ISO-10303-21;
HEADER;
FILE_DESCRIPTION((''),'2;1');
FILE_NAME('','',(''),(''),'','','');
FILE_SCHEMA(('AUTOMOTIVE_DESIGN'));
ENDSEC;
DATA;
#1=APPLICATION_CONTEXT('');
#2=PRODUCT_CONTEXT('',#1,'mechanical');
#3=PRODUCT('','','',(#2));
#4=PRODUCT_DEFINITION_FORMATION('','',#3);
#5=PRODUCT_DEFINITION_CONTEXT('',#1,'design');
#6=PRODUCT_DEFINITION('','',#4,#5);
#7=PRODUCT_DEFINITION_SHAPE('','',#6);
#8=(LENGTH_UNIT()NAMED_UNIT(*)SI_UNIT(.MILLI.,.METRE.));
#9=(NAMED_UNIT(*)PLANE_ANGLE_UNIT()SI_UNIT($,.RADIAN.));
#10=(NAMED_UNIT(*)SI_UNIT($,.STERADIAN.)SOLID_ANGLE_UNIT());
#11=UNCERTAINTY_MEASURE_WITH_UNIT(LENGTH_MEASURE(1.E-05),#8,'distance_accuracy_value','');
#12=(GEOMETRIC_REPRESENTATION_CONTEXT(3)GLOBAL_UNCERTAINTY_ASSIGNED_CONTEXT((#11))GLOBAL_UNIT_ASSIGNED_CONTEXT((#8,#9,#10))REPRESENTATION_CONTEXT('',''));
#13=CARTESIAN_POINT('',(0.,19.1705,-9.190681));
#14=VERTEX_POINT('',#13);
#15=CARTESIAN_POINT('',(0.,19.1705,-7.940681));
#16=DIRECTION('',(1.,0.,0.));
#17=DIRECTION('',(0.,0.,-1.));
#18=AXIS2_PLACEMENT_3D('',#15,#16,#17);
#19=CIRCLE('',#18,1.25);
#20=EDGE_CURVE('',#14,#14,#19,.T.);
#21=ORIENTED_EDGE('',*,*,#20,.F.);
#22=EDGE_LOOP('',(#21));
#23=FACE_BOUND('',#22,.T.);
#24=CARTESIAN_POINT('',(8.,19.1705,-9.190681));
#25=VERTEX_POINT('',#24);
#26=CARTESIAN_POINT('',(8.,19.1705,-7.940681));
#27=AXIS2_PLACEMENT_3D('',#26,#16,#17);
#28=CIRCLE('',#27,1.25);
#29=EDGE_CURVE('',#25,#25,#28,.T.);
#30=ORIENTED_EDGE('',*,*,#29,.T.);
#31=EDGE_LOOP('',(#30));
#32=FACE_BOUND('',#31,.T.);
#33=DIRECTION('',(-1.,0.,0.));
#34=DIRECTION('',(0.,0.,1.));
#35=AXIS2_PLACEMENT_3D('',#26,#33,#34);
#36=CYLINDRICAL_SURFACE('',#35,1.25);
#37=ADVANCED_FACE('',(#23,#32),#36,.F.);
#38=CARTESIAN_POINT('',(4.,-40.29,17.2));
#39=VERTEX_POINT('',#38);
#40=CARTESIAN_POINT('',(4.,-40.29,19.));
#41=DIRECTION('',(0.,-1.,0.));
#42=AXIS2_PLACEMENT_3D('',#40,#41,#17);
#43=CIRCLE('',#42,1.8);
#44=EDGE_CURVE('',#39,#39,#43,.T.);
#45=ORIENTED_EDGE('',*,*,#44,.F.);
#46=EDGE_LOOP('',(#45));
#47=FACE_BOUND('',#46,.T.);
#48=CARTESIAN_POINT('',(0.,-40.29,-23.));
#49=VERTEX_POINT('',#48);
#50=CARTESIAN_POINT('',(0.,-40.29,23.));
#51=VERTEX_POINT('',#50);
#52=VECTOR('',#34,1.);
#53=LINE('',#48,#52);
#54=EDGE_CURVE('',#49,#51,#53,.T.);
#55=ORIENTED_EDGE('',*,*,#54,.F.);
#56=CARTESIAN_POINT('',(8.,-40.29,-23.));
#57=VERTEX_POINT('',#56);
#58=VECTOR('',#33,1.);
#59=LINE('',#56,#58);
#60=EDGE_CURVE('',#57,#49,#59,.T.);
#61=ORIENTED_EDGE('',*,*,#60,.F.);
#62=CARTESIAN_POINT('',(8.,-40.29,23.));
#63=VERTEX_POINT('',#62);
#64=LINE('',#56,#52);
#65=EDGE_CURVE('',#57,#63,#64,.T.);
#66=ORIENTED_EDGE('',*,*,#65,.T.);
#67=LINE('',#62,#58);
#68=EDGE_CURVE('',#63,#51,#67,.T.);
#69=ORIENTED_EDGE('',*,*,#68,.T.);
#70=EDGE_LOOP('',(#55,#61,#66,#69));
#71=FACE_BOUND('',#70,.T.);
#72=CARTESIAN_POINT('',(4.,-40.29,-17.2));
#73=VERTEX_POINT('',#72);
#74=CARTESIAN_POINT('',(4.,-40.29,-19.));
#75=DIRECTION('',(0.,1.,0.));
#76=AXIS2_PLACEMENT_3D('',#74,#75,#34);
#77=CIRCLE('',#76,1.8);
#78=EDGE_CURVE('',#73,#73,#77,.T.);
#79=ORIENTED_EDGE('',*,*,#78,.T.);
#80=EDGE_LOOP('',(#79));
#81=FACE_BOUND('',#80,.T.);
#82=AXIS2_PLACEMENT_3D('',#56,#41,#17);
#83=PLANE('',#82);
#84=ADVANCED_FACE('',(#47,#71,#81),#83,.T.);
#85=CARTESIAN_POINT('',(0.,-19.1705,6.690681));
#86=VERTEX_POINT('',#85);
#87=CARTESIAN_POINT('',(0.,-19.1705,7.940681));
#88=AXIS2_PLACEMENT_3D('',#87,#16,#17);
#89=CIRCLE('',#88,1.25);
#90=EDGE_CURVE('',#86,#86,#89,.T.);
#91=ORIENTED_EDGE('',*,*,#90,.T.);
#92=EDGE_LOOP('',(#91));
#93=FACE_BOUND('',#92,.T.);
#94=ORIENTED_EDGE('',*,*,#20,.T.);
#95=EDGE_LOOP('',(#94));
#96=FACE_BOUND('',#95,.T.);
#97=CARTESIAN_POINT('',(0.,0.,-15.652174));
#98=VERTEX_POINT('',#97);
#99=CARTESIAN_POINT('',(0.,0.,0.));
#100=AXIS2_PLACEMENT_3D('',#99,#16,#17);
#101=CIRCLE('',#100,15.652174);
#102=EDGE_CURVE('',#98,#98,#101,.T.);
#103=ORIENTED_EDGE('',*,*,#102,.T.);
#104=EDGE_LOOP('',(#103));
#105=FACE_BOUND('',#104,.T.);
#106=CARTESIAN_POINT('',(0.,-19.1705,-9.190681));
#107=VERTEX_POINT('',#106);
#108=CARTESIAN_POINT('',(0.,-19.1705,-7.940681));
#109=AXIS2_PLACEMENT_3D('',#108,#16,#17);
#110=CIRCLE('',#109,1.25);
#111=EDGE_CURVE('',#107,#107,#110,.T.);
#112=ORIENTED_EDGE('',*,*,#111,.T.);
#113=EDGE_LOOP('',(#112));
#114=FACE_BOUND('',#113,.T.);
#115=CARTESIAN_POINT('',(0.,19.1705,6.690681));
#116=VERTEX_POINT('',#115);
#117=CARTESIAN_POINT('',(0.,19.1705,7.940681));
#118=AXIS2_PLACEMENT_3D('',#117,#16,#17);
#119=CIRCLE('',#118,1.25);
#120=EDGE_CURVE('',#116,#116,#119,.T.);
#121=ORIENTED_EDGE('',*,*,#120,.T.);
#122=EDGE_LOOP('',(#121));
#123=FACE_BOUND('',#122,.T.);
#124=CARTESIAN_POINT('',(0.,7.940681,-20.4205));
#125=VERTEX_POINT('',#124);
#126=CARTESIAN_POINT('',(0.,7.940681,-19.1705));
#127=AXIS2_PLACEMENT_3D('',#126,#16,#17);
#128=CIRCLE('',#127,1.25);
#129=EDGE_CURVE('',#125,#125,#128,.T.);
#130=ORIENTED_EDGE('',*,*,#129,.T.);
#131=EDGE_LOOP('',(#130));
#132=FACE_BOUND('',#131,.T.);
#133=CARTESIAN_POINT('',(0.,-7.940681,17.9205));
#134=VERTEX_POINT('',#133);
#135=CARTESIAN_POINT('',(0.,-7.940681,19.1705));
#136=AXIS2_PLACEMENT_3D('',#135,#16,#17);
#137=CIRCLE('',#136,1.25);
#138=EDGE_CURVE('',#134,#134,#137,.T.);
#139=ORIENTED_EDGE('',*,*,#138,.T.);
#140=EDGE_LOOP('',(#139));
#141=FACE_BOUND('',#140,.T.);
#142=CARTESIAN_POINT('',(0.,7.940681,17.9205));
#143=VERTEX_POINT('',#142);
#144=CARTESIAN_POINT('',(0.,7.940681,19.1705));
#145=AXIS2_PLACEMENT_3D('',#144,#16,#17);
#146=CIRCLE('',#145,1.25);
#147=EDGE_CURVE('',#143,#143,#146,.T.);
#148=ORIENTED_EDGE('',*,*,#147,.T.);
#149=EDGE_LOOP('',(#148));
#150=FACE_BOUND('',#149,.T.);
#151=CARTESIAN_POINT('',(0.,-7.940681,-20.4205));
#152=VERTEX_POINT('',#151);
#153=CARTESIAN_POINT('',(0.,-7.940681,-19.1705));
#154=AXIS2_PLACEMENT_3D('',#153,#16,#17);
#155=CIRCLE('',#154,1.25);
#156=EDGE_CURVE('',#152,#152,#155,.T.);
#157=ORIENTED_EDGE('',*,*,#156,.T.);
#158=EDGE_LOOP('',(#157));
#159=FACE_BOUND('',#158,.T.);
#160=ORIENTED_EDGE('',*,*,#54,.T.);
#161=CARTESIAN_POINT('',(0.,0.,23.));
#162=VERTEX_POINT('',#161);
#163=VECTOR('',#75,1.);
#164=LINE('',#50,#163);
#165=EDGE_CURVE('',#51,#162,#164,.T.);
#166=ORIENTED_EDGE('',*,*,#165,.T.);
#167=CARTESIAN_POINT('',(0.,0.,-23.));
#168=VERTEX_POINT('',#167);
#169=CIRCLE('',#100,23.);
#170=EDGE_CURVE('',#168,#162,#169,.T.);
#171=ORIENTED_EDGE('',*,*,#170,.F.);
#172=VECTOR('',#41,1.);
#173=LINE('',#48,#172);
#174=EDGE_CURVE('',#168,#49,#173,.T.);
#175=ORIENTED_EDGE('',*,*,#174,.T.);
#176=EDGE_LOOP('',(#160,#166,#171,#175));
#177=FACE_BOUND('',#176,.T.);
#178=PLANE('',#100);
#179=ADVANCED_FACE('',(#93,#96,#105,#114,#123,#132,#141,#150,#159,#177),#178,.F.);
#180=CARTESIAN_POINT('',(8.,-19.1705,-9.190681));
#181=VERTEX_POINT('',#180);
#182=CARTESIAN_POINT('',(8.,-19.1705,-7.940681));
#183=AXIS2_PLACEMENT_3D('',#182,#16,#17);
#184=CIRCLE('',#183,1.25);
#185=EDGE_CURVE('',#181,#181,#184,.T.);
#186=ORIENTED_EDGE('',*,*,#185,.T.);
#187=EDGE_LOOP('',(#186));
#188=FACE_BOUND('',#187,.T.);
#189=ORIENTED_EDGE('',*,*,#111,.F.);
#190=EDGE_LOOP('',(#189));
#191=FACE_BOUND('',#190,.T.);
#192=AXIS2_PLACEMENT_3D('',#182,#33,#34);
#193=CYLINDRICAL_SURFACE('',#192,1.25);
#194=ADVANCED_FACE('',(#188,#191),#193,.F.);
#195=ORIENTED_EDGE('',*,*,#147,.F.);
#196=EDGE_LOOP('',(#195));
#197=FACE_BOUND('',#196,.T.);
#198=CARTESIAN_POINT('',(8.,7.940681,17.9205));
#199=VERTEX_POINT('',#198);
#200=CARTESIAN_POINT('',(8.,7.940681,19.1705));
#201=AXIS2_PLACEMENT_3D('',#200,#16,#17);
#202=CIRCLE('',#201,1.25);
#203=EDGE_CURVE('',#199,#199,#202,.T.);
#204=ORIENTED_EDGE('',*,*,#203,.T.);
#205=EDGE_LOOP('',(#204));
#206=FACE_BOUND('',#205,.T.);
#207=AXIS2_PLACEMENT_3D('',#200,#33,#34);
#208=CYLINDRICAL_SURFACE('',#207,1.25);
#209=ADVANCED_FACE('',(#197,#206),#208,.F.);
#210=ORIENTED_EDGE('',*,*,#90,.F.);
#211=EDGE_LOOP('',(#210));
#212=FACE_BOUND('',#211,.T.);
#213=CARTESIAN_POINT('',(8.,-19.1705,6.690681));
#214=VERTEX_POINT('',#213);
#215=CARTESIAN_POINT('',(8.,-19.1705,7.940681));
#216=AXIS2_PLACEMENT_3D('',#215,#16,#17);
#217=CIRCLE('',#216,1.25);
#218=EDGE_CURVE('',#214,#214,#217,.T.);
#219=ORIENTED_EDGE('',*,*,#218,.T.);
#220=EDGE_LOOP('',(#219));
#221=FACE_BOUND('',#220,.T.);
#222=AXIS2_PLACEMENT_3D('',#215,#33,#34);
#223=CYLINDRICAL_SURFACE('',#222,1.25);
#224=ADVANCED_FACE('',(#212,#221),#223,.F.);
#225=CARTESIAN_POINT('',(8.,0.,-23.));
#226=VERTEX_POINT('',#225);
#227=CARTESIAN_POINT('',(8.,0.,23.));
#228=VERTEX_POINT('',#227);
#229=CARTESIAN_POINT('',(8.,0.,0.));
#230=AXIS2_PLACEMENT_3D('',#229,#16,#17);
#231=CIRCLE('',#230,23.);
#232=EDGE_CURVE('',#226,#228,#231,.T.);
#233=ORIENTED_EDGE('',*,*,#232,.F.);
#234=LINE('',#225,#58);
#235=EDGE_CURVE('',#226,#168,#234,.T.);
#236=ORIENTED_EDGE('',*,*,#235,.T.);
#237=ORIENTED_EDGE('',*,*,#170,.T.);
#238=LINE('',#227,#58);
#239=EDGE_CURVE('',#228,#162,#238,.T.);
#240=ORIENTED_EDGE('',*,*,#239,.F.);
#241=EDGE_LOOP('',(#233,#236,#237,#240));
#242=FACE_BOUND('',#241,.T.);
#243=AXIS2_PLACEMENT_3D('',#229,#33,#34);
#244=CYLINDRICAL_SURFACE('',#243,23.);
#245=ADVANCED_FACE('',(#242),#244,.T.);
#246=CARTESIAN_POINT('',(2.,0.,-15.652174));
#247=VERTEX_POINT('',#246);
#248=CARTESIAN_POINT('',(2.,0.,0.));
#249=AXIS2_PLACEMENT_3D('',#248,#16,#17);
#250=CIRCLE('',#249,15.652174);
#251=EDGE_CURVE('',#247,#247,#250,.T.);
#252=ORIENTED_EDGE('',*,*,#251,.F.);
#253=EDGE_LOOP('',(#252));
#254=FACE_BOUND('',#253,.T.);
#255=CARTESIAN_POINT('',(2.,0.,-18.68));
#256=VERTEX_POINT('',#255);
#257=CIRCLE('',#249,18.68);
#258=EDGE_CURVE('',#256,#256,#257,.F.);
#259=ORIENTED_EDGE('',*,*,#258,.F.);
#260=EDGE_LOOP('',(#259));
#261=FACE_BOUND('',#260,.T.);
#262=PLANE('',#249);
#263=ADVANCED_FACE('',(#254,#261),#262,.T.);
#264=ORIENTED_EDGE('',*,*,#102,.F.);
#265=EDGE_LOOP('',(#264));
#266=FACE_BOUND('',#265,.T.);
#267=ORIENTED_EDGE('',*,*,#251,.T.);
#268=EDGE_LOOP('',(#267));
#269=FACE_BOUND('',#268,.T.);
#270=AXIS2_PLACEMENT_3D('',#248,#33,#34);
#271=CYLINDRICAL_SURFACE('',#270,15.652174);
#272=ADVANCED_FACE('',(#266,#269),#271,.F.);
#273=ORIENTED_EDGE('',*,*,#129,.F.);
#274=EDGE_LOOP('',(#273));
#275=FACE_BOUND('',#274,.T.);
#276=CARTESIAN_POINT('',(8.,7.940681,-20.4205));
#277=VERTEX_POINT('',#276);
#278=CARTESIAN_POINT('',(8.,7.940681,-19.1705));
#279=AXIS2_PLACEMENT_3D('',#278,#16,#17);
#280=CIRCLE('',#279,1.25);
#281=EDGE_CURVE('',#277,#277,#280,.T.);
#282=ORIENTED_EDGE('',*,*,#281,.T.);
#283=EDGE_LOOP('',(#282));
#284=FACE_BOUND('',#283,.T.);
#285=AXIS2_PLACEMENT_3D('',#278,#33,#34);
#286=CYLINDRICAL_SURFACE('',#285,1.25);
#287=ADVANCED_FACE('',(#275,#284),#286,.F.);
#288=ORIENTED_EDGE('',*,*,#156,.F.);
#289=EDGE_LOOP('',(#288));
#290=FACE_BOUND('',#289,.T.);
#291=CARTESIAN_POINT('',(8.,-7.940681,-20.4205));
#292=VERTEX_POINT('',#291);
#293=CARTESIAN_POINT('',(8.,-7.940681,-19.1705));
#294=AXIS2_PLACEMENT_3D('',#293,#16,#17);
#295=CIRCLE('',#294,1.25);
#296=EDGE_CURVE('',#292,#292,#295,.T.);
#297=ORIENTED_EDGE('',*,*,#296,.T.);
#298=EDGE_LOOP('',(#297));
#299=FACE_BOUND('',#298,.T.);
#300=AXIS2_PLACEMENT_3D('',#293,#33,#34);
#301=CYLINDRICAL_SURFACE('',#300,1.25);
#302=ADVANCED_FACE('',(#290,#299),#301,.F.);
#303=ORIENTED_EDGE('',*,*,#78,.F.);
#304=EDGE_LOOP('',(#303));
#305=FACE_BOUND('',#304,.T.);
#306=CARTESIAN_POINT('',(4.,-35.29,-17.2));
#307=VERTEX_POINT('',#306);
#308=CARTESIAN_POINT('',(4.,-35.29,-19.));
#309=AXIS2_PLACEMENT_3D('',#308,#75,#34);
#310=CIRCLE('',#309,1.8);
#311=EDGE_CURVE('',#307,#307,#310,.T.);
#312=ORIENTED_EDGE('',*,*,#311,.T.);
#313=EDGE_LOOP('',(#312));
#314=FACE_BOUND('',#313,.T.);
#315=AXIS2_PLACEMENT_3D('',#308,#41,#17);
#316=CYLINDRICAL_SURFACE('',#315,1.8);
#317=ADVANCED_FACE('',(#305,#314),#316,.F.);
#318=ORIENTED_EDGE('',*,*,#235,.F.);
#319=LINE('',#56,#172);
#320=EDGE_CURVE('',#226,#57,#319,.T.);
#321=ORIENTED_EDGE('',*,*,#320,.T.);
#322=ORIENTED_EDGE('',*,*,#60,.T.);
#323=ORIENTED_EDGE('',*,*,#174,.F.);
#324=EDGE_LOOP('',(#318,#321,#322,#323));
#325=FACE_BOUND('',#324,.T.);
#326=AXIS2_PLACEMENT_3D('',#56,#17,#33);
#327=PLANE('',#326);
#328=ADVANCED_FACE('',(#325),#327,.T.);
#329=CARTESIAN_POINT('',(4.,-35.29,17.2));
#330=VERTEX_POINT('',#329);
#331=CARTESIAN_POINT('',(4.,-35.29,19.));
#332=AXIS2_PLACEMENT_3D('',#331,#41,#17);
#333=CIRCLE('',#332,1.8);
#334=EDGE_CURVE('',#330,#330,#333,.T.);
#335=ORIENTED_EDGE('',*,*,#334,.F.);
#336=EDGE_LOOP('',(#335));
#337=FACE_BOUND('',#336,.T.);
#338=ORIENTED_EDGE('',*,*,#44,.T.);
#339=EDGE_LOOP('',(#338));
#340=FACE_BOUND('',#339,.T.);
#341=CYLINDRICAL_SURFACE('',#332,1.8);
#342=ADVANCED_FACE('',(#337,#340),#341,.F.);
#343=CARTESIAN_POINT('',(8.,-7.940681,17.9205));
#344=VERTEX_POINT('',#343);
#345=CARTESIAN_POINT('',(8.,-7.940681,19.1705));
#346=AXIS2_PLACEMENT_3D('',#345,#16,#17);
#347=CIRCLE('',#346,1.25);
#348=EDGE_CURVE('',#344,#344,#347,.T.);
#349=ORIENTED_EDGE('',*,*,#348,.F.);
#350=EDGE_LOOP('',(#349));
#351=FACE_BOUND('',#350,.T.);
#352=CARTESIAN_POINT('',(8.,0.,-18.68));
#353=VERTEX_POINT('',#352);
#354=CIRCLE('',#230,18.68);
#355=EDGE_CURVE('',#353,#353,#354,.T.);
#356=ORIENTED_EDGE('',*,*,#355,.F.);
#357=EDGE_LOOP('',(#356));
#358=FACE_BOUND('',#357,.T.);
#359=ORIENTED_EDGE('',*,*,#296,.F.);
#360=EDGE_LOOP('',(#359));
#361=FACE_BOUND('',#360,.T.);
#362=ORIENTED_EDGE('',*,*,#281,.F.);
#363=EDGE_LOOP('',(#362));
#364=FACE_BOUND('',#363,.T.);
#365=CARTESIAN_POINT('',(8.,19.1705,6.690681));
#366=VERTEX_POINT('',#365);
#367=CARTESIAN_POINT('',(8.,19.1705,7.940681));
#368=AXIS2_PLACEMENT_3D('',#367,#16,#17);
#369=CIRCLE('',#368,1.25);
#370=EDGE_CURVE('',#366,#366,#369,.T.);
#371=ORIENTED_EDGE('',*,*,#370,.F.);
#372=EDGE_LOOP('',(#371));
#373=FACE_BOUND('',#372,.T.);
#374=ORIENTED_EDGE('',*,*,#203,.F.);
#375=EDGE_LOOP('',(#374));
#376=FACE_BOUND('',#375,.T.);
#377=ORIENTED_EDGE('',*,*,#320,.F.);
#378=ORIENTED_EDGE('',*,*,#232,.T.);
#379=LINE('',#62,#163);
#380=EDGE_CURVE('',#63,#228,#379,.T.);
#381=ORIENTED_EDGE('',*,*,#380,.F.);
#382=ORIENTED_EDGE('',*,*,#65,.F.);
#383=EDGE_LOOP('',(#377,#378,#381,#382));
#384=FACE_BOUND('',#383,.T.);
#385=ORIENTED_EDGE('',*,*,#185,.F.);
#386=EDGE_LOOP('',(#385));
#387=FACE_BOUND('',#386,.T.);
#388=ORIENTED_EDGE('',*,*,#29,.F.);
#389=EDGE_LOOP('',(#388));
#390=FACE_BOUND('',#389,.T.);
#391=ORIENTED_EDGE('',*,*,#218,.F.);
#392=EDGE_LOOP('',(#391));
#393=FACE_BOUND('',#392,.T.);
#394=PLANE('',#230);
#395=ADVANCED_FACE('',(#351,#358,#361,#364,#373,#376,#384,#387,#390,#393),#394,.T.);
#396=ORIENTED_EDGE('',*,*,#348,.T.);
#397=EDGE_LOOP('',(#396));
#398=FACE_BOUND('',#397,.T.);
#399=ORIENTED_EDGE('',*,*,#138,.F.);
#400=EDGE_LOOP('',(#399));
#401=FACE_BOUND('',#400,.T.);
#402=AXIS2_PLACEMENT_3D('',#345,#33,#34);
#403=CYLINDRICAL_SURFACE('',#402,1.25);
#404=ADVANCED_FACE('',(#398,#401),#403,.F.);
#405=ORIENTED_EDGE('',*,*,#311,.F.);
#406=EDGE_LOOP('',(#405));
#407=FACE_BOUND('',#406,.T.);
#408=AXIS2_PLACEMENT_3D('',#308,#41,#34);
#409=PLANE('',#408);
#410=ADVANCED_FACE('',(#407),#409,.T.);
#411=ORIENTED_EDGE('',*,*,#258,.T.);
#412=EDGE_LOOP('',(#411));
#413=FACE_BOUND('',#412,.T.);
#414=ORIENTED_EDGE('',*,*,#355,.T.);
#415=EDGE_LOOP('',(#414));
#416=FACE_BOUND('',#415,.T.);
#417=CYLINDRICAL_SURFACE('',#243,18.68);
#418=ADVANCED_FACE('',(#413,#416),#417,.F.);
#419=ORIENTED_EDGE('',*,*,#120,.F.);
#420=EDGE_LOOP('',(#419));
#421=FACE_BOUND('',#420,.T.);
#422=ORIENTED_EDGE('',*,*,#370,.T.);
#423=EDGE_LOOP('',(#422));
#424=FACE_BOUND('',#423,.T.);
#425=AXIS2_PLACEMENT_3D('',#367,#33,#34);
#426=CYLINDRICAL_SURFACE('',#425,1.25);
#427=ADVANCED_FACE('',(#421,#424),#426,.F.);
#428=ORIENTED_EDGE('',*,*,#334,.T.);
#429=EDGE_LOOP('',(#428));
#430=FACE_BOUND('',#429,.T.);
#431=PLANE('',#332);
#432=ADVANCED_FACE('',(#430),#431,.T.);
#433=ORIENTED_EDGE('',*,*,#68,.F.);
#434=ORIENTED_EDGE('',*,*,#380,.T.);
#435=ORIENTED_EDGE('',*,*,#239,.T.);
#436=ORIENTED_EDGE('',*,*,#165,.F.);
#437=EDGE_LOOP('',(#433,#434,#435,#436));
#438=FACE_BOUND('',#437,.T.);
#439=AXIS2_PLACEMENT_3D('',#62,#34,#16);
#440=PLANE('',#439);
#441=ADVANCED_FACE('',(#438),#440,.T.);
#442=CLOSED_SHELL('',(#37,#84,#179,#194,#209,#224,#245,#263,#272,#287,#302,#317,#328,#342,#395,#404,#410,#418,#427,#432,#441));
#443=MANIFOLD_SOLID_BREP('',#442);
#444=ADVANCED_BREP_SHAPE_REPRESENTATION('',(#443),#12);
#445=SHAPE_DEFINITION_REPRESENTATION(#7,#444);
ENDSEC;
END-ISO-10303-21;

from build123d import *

# Parameters (mm, degrees)
SKETCH_1_R          = 18.68
SKETCH_1_R_2        = 15.652173913
EXTRUDE_2_DEPTH     = 2
SKETCH_1_4_R        = 23
SKETCH_1_4_R_2      = 1.25
SKETCH_1_4_R_3      = 18.68
EXTRUDE_3_DEPTH     = 8
EXTRUDE_4_DEPTH     = 8
SKETCH_3_R          = 1.8
CUT_EXTRUDE_1_DEPTH = 5


with BuildPart() as part:
    # 草图1 → 凸台-拉伸2 (new body)
    with BuildSketch(Plane(origin=(0, 0, 0), x_dir=(0, 0, -1), z_dir=(1, 0, 0))):
        Circle(SKETCH_1_R)
        Circle(SKETCH_1_R_2, mode=Mode.SUBTRACT)
    extrude(amount=EXTRUDE_2_DEPTH)

    # 草图1<4> → 凸台-拉伸3 (add)
    with BuildSketch(Plane(origin=(0, 0, 0), x_dir=(0, 0, -1), z_dir=(1, 0, 0))):
        Circle(SKETCH_1_4_R)
        with Locations((-7.940681222, -19.1705003)):
            Circle(SKETCH_1_4_R_2, mode=Mode.SUBTRACT)
        with Locations((-19.1705003, -7.940681222)):
            Circle(SKETCH_1_4_R_2, mode=Mode.SUBTRACT)
        with Locations((7.940681222, -19.1705003)):
            Circle(SKETCH_1_4_R_2, mode=Mode.SUBTRACT)
        with Locations((19.1705003, -7.940681222)):
            Circle(SKETCH_1_4_R_2, mode=Mode.SUBTRACT)
        with Locations((-19.1705003, 7.940681222)):
            Circle(SKETCH_1_4_R_2, mode=Mode.SUBTRACT)
        with Locations((-7.940681222, 19.1705003)):
            Circle(SKETCH_1_4_R_2, mode=Mode.SUBTRACT)
        Circle(SKETCH_1_4_R_3, mode=Mode.SUBTRACT)
        with Locations((19.1705003, 7.940681222)):
            Circle(SKETCH_1_4_R_2, mode=Mode.SUBTRACT)
        with Locations((7.940681222, 19.1705003)):
            Circle(SKETCH_1_4_R_2, mode=Mode.SUBTRACT)
    extrude(amount=EXTRUDE_3_DEPTH)

    # 草图2 → 凸台-拉伸4 (add)
    with BuildSketch(Plane.ZY):
        with BuildLine():
            Line((-23, -40.29), (-23, 0))
            ThreePointArc((-23, 0), (0, -23), (23, 0))
            Line((23, 0), (23, -40.29))
            Line((23, -40.29), (-23, -40.29))
        make_face()
    extrude(amount=-EXTRUDE_4_DEPTH)

    # 草图3 → 切除-拉伸1 (cut)
    with BuildSketch(Plane.XZ.offset(40.29)):
        with Locations((4, 19)):
            Circle(SKETCH_3_R)
    cut_extrude_1 = extrude(amount=-CUT_EXTRUDE_1_DEPTH, mode=Mode.SUBTRACT)

    # 镜向1: 切除-拉伸1 across plane
    add(cut_extrude_1.mirror(Plane(origin=(0, 0, 0), x_dir=(1, 0, 0), z_dir=(0, 0, -1))), mode=Mode.SUBTRACT)


solid = part.part
